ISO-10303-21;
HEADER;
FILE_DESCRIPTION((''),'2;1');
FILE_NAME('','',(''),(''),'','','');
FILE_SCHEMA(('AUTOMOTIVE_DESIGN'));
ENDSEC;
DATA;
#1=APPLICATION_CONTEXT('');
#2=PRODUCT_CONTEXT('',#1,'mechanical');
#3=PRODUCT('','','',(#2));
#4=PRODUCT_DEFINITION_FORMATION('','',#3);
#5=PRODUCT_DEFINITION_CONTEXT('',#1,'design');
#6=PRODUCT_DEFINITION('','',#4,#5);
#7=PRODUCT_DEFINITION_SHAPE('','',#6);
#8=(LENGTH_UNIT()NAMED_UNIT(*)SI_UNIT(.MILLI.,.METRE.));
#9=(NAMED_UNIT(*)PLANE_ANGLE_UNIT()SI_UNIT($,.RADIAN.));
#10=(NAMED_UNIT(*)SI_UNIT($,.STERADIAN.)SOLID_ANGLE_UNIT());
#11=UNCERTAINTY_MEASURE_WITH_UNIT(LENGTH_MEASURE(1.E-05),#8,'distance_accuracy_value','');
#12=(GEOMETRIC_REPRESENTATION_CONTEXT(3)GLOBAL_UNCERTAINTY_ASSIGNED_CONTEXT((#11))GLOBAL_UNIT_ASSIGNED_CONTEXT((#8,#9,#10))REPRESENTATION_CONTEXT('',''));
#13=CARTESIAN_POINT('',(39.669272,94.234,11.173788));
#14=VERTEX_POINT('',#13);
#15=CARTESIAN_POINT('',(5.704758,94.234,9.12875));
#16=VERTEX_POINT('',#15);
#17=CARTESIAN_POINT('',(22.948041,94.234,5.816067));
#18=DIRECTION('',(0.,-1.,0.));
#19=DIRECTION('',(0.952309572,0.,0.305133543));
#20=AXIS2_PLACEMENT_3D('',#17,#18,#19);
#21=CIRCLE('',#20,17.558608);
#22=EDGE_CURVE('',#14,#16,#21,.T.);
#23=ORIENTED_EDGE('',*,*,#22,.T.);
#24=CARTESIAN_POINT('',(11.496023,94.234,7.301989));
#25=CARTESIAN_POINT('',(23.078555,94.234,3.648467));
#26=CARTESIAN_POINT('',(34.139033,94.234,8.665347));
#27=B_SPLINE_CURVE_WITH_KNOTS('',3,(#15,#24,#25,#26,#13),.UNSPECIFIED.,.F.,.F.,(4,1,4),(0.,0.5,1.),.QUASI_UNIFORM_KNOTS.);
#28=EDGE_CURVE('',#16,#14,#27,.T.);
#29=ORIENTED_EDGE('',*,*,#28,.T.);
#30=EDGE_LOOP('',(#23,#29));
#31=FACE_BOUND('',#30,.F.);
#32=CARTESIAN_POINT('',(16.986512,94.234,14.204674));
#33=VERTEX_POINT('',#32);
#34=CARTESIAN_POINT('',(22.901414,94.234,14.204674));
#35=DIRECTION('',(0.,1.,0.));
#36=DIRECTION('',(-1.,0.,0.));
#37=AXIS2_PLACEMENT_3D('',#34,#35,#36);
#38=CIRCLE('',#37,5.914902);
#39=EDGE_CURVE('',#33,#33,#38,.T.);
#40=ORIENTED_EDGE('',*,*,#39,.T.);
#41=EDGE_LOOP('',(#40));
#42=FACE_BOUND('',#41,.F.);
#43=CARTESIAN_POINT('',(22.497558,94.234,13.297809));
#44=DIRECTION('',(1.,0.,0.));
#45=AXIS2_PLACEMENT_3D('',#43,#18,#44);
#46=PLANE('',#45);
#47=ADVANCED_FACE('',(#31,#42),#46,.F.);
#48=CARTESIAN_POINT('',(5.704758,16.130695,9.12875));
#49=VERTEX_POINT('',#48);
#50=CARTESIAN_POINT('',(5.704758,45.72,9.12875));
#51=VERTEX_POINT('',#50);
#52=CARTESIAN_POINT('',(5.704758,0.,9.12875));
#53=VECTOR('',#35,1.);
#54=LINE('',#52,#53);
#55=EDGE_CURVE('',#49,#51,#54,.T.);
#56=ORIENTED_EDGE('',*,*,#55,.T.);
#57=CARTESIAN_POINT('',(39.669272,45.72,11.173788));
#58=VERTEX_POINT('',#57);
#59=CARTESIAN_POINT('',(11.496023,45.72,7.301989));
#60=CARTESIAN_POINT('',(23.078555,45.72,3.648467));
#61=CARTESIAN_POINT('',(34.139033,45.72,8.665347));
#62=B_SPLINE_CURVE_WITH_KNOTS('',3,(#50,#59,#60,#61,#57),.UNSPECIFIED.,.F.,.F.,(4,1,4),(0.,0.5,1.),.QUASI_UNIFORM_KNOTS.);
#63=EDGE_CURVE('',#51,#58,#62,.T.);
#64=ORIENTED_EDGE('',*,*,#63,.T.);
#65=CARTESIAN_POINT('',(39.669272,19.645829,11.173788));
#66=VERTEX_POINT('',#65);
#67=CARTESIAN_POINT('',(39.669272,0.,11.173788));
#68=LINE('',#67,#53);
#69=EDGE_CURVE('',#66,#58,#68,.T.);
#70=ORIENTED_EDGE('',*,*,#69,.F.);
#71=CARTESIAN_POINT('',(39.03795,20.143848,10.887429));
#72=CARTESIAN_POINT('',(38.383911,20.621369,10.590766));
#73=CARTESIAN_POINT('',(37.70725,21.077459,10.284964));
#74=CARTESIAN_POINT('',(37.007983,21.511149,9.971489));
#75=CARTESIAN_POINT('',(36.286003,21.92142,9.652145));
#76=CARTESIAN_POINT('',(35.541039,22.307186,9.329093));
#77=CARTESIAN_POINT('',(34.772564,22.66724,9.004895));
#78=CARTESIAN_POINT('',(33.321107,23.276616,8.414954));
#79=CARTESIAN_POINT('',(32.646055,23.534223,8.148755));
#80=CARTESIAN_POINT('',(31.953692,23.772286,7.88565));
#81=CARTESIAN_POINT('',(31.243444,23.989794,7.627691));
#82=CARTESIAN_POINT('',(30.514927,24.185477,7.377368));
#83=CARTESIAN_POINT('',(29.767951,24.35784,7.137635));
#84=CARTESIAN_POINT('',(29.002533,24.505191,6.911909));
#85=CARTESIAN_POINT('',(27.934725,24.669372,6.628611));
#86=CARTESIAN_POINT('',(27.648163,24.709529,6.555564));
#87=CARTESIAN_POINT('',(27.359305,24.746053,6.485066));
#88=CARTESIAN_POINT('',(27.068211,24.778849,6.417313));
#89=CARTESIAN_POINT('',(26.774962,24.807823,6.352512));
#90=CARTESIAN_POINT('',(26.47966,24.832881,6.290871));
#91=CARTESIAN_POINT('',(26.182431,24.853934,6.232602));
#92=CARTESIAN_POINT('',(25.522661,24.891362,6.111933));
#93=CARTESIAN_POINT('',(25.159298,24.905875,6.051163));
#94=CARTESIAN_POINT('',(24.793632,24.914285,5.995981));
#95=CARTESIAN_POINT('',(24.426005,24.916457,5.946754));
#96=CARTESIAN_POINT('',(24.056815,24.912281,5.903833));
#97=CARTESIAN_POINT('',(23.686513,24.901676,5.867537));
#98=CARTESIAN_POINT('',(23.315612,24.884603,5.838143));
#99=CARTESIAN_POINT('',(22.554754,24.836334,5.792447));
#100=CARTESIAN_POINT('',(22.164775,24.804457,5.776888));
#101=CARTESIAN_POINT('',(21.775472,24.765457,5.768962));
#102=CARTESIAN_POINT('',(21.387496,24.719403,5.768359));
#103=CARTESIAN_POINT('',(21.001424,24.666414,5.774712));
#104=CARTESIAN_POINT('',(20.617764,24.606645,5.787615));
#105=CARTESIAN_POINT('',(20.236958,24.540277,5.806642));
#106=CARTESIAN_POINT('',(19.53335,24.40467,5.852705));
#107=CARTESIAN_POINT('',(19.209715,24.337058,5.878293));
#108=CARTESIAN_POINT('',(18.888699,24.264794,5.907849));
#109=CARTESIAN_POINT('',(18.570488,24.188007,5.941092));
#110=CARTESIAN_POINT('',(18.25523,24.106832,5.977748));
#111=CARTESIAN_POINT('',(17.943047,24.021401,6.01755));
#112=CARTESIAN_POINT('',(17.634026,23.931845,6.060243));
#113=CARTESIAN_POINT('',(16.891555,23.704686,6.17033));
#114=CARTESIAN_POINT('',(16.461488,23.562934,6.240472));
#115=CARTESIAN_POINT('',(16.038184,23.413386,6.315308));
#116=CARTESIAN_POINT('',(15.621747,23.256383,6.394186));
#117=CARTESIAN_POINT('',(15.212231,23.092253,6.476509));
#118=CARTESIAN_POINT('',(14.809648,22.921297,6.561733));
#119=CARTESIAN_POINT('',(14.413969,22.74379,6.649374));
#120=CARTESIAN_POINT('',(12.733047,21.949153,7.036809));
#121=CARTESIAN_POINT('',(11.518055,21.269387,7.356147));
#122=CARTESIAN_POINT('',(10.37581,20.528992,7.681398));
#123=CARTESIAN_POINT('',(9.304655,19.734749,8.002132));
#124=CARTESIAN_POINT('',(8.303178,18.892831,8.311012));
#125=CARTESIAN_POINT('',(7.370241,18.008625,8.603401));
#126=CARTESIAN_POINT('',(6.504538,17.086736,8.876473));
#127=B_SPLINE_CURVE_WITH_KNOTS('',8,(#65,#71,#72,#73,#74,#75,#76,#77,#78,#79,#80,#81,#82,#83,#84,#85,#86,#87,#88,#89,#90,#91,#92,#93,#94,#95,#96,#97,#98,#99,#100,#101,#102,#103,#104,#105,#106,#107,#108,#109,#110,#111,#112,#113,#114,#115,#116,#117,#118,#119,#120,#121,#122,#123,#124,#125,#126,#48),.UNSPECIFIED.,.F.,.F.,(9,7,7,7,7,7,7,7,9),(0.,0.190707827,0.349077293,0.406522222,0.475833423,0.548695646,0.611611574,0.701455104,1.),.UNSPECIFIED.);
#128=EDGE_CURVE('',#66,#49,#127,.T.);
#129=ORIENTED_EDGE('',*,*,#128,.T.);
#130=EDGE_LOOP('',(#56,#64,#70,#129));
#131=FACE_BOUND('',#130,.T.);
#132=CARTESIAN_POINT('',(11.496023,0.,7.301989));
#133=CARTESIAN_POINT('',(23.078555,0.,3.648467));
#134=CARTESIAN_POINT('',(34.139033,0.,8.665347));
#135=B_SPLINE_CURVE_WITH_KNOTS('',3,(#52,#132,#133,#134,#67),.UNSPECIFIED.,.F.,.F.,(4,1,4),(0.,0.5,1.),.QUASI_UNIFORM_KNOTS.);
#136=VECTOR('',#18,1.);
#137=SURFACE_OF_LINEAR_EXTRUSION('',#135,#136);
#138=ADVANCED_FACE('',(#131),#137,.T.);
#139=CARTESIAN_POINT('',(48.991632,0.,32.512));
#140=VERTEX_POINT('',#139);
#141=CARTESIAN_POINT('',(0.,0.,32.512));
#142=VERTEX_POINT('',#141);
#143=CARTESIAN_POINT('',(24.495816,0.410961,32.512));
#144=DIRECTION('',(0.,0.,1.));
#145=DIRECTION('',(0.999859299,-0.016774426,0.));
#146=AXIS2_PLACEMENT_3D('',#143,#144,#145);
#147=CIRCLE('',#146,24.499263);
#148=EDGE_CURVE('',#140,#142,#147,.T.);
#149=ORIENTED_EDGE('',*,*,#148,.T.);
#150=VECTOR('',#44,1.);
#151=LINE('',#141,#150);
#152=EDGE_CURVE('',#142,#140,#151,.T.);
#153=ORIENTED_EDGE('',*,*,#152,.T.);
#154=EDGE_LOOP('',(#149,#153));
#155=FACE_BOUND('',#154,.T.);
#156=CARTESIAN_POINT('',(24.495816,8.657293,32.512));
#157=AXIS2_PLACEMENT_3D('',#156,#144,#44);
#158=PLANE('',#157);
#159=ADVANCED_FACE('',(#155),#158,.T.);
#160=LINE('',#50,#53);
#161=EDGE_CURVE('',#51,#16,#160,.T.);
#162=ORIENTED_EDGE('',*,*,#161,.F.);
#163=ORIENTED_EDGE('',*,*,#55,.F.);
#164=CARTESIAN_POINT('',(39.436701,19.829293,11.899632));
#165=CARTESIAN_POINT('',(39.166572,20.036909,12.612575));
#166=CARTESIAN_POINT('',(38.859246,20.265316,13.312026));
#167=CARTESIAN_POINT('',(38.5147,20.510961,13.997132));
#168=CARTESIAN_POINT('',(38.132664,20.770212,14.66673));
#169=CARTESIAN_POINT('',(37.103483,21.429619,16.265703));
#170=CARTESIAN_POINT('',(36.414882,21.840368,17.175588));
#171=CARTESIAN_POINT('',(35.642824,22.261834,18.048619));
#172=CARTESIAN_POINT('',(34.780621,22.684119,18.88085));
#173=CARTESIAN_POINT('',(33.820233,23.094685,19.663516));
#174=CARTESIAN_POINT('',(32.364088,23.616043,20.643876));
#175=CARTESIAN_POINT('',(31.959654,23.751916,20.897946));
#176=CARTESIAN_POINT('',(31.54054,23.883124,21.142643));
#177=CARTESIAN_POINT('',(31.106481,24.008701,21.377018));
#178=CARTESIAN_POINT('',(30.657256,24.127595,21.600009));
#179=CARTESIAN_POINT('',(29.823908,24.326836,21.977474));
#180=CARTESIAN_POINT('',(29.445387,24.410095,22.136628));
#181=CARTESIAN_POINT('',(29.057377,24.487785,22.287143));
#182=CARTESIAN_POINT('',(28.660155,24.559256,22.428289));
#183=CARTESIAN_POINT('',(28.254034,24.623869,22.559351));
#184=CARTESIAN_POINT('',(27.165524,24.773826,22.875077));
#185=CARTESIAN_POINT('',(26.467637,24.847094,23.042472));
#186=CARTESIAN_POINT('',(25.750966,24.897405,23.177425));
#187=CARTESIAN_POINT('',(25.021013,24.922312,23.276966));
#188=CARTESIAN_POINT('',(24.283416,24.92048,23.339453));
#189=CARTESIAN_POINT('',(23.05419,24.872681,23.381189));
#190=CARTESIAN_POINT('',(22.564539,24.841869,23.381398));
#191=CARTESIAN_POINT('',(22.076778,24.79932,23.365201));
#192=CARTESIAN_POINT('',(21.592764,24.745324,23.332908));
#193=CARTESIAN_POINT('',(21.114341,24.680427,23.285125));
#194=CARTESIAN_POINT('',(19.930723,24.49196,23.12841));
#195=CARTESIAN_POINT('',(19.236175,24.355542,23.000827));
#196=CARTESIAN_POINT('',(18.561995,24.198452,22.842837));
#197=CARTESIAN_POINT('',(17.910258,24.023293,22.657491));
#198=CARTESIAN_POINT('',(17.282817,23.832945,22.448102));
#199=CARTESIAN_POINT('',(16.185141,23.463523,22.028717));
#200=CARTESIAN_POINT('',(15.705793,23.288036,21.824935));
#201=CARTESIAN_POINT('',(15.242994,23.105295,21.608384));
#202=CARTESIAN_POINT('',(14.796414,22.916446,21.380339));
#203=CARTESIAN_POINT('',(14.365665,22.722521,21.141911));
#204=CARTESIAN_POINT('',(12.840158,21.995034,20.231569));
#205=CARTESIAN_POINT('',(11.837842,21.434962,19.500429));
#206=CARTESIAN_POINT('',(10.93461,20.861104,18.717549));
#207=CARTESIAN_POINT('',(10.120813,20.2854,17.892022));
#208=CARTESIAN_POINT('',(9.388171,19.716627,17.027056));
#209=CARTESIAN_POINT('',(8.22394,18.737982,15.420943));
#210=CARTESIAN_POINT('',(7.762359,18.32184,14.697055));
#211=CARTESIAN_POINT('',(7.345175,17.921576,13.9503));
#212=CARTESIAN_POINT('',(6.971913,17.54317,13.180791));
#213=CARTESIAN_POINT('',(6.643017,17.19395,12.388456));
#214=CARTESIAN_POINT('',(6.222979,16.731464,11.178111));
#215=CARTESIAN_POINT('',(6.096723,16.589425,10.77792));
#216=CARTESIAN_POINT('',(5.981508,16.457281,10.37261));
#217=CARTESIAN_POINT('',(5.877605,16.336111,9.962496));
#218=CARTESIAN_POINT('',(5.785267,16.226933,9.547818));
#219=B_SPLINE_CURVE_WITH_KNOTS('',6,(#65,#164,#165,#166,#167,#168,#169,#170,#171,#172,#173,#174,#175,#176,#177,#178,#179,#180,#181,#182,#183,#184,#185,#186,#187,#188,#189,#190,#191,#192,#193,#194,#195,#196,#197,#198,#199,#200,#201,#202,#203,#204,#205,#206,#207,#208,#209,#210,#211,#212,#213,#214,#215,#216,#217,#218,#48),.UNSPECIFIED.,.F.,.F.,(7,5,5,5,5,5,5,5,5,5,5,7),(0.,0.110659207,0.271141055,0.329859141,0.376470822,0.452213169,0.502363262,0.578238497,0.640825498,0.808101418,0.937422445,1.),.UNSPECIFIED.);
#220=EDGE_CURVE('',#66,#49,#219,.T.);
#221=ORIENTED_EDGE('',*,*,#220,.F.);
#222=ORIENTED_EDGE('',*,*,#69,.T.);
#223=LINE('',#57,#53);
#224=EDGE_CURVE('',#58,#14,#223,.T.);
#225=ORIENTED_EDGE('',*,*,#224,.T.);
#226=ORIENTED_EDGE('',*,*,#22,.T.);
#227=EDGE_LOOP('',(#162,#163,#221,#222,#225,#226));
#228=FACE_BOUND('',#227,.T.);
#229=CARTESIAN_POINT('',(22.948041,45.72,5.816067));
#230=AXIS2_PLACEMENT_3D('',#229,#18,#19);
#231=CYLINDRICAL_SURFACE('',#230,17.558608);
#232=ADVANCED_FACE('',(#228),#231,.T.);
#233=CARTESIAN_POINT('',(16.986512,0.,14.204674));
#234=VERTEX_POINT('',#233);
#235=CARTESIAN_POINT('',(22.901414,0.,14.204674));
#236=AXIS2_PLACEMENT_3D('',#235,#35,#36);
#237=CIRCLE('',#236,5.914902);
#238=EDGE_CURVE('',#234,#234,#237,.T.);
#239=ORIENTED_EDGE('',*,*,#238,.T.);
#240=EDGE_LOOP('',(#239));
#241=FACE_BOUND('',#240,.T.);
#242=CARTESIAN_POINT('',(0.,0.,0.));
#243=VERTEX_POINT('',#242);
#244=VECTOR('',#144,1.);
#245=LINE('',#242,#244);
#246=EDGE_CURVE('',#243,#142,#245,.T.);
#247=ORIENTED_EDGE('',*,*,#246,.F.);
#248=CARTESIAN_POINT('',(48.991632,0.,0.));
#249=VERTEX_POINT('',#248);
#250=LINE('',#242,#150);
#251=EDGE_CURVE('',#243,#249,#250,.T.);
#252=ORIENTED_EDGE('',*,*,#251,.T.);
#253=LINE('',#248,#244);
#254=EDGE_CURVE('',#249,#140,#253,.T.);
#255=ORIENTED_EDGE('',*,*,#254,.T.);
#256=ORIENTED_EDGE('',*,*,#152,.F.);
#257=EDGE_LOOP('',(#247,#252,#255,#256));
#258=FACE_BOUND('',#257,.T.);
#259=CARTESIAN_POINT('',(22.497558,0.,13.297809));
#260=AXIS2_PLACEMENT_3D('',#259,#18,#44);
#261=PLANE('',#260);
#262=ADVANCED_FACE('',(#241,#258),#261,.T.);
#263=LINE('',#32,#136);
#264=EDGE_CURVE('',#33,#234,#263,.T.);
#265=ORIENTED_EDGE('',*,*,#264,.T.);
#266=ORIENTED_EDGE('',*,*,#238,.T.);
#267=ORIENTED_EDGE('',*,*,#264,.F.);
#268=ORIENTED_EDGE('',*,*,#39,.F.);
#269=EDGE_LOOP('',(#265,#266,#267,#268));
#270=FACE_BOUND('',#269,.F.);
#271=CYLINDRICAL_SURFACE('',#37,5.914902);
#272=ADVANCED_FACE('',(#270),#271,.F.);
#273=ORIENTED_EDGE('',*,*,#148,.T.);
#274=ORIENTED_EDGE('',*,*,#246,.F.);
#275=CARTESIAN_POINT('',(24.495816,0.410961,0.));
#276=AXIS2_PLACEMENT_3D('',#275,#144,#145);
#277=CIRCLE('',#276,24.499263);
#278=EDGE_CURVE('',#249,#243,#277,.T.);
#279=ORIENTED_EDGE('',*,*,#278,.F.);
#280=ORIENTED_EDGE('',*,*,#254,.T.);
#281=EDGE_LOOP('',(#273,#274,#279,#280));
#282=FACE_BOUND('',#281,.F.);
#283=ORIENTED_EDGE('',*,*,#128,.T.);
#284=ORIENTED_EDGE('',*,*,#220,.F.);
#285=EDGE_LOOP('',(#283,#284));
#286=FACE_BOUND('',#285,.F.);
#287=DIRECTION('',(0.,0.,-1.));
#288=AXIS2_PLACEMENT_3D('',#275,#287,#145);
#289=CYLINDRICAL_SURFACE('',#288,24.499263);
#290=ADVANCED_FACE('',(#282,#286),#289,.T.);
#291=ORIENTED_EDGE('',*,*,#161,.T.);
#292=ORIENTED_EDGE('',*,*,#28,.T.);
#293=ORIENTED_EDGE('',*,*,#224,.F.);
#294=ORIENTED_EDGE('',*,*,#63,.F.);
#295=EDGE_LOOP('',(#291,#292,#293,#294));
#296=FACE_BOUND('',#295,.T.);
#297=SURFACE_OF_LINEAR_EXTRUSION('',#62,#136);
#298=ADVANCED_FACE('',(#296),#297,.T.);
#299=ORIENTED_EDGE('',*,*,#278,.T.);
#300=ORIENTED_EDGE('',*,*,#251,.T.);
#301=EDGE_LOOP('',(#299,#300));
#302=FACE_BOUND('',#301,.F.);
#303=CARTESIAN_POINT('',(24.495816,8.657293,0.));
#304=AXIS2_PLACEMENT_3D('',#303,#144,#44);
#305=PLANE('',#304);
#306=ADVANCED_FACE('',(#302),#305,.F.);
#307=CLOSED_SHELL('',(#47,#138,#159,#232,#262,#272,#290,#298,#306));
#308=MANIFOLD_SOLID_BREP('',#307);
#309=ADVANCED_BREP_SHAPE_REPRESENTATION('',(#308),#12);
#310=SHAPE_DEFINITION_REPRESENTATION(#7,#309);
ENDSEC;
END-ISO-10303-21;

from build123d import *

# Parameters (mm, degrees)
F1_DEPTH = 32.512
F3_DEPTH = 45.72
F4_DEPTH = 48.514
F5_R     = 5.9149018799
F6_DEPTH = 140.208


with BuildPart() as f1:
    # F0 (on Top) → F1 (new body)
    with BuildSketch(Plane.XY):
        with BuildLine():
            Line((0, 0), (48.9916317165, 0))
            ThreePointArc((48.9916317165, 0), (24.4958158582, 24.9102240026), (0, 0))
        make_face()
    extrude(amount=F1_DEPTH)

    # F2 (on face) → F3 (join)
    with BuildSketch(Plane.XZ):
        with BuildLine():
            add(Edge.make_bspline(
                [(5.7047577575, 9.1287503019), (11.4960234604, 7.3019890664), (23.0785548663, 3.6484665953), (34.1390326611, 8.6653472163), (39.6692715585, 11.1737875268)],
                knots=[0, 0, 0, 0, 0.5, 1, 1, 1, 1], degree=3))
            ThreePointArc((39.6692715585, 11.1737875268), (21.8927314115, 23.3429330858), (5.7047577575, 9.1287503019))
        make_face()
    extrude(amount=-F3_DEPTH)

    # F4 (add): a face of the model
    f4_faces = [f1.faces().sort_by_distance(p)[0] for p in [
        (22.4499268114, 45.72, 14.0888929688),
    ]]
    extrude(f4_faces, amount=F4_DEPTH)

    # F5 (on face) → F6 (cut)
    with BuildSketch(Plane(origin=(0, 94.234, 0), x_dir=(-1, 0, 0), z_dir=(0, 1, 0))):
        with Locations((-22.9014139622, 14.2046744004)):
            Circle(F5_R)
    extrude(amount=-F6_DEPTH, mode=Mode.SUBTRACT)


solid = f1.part
